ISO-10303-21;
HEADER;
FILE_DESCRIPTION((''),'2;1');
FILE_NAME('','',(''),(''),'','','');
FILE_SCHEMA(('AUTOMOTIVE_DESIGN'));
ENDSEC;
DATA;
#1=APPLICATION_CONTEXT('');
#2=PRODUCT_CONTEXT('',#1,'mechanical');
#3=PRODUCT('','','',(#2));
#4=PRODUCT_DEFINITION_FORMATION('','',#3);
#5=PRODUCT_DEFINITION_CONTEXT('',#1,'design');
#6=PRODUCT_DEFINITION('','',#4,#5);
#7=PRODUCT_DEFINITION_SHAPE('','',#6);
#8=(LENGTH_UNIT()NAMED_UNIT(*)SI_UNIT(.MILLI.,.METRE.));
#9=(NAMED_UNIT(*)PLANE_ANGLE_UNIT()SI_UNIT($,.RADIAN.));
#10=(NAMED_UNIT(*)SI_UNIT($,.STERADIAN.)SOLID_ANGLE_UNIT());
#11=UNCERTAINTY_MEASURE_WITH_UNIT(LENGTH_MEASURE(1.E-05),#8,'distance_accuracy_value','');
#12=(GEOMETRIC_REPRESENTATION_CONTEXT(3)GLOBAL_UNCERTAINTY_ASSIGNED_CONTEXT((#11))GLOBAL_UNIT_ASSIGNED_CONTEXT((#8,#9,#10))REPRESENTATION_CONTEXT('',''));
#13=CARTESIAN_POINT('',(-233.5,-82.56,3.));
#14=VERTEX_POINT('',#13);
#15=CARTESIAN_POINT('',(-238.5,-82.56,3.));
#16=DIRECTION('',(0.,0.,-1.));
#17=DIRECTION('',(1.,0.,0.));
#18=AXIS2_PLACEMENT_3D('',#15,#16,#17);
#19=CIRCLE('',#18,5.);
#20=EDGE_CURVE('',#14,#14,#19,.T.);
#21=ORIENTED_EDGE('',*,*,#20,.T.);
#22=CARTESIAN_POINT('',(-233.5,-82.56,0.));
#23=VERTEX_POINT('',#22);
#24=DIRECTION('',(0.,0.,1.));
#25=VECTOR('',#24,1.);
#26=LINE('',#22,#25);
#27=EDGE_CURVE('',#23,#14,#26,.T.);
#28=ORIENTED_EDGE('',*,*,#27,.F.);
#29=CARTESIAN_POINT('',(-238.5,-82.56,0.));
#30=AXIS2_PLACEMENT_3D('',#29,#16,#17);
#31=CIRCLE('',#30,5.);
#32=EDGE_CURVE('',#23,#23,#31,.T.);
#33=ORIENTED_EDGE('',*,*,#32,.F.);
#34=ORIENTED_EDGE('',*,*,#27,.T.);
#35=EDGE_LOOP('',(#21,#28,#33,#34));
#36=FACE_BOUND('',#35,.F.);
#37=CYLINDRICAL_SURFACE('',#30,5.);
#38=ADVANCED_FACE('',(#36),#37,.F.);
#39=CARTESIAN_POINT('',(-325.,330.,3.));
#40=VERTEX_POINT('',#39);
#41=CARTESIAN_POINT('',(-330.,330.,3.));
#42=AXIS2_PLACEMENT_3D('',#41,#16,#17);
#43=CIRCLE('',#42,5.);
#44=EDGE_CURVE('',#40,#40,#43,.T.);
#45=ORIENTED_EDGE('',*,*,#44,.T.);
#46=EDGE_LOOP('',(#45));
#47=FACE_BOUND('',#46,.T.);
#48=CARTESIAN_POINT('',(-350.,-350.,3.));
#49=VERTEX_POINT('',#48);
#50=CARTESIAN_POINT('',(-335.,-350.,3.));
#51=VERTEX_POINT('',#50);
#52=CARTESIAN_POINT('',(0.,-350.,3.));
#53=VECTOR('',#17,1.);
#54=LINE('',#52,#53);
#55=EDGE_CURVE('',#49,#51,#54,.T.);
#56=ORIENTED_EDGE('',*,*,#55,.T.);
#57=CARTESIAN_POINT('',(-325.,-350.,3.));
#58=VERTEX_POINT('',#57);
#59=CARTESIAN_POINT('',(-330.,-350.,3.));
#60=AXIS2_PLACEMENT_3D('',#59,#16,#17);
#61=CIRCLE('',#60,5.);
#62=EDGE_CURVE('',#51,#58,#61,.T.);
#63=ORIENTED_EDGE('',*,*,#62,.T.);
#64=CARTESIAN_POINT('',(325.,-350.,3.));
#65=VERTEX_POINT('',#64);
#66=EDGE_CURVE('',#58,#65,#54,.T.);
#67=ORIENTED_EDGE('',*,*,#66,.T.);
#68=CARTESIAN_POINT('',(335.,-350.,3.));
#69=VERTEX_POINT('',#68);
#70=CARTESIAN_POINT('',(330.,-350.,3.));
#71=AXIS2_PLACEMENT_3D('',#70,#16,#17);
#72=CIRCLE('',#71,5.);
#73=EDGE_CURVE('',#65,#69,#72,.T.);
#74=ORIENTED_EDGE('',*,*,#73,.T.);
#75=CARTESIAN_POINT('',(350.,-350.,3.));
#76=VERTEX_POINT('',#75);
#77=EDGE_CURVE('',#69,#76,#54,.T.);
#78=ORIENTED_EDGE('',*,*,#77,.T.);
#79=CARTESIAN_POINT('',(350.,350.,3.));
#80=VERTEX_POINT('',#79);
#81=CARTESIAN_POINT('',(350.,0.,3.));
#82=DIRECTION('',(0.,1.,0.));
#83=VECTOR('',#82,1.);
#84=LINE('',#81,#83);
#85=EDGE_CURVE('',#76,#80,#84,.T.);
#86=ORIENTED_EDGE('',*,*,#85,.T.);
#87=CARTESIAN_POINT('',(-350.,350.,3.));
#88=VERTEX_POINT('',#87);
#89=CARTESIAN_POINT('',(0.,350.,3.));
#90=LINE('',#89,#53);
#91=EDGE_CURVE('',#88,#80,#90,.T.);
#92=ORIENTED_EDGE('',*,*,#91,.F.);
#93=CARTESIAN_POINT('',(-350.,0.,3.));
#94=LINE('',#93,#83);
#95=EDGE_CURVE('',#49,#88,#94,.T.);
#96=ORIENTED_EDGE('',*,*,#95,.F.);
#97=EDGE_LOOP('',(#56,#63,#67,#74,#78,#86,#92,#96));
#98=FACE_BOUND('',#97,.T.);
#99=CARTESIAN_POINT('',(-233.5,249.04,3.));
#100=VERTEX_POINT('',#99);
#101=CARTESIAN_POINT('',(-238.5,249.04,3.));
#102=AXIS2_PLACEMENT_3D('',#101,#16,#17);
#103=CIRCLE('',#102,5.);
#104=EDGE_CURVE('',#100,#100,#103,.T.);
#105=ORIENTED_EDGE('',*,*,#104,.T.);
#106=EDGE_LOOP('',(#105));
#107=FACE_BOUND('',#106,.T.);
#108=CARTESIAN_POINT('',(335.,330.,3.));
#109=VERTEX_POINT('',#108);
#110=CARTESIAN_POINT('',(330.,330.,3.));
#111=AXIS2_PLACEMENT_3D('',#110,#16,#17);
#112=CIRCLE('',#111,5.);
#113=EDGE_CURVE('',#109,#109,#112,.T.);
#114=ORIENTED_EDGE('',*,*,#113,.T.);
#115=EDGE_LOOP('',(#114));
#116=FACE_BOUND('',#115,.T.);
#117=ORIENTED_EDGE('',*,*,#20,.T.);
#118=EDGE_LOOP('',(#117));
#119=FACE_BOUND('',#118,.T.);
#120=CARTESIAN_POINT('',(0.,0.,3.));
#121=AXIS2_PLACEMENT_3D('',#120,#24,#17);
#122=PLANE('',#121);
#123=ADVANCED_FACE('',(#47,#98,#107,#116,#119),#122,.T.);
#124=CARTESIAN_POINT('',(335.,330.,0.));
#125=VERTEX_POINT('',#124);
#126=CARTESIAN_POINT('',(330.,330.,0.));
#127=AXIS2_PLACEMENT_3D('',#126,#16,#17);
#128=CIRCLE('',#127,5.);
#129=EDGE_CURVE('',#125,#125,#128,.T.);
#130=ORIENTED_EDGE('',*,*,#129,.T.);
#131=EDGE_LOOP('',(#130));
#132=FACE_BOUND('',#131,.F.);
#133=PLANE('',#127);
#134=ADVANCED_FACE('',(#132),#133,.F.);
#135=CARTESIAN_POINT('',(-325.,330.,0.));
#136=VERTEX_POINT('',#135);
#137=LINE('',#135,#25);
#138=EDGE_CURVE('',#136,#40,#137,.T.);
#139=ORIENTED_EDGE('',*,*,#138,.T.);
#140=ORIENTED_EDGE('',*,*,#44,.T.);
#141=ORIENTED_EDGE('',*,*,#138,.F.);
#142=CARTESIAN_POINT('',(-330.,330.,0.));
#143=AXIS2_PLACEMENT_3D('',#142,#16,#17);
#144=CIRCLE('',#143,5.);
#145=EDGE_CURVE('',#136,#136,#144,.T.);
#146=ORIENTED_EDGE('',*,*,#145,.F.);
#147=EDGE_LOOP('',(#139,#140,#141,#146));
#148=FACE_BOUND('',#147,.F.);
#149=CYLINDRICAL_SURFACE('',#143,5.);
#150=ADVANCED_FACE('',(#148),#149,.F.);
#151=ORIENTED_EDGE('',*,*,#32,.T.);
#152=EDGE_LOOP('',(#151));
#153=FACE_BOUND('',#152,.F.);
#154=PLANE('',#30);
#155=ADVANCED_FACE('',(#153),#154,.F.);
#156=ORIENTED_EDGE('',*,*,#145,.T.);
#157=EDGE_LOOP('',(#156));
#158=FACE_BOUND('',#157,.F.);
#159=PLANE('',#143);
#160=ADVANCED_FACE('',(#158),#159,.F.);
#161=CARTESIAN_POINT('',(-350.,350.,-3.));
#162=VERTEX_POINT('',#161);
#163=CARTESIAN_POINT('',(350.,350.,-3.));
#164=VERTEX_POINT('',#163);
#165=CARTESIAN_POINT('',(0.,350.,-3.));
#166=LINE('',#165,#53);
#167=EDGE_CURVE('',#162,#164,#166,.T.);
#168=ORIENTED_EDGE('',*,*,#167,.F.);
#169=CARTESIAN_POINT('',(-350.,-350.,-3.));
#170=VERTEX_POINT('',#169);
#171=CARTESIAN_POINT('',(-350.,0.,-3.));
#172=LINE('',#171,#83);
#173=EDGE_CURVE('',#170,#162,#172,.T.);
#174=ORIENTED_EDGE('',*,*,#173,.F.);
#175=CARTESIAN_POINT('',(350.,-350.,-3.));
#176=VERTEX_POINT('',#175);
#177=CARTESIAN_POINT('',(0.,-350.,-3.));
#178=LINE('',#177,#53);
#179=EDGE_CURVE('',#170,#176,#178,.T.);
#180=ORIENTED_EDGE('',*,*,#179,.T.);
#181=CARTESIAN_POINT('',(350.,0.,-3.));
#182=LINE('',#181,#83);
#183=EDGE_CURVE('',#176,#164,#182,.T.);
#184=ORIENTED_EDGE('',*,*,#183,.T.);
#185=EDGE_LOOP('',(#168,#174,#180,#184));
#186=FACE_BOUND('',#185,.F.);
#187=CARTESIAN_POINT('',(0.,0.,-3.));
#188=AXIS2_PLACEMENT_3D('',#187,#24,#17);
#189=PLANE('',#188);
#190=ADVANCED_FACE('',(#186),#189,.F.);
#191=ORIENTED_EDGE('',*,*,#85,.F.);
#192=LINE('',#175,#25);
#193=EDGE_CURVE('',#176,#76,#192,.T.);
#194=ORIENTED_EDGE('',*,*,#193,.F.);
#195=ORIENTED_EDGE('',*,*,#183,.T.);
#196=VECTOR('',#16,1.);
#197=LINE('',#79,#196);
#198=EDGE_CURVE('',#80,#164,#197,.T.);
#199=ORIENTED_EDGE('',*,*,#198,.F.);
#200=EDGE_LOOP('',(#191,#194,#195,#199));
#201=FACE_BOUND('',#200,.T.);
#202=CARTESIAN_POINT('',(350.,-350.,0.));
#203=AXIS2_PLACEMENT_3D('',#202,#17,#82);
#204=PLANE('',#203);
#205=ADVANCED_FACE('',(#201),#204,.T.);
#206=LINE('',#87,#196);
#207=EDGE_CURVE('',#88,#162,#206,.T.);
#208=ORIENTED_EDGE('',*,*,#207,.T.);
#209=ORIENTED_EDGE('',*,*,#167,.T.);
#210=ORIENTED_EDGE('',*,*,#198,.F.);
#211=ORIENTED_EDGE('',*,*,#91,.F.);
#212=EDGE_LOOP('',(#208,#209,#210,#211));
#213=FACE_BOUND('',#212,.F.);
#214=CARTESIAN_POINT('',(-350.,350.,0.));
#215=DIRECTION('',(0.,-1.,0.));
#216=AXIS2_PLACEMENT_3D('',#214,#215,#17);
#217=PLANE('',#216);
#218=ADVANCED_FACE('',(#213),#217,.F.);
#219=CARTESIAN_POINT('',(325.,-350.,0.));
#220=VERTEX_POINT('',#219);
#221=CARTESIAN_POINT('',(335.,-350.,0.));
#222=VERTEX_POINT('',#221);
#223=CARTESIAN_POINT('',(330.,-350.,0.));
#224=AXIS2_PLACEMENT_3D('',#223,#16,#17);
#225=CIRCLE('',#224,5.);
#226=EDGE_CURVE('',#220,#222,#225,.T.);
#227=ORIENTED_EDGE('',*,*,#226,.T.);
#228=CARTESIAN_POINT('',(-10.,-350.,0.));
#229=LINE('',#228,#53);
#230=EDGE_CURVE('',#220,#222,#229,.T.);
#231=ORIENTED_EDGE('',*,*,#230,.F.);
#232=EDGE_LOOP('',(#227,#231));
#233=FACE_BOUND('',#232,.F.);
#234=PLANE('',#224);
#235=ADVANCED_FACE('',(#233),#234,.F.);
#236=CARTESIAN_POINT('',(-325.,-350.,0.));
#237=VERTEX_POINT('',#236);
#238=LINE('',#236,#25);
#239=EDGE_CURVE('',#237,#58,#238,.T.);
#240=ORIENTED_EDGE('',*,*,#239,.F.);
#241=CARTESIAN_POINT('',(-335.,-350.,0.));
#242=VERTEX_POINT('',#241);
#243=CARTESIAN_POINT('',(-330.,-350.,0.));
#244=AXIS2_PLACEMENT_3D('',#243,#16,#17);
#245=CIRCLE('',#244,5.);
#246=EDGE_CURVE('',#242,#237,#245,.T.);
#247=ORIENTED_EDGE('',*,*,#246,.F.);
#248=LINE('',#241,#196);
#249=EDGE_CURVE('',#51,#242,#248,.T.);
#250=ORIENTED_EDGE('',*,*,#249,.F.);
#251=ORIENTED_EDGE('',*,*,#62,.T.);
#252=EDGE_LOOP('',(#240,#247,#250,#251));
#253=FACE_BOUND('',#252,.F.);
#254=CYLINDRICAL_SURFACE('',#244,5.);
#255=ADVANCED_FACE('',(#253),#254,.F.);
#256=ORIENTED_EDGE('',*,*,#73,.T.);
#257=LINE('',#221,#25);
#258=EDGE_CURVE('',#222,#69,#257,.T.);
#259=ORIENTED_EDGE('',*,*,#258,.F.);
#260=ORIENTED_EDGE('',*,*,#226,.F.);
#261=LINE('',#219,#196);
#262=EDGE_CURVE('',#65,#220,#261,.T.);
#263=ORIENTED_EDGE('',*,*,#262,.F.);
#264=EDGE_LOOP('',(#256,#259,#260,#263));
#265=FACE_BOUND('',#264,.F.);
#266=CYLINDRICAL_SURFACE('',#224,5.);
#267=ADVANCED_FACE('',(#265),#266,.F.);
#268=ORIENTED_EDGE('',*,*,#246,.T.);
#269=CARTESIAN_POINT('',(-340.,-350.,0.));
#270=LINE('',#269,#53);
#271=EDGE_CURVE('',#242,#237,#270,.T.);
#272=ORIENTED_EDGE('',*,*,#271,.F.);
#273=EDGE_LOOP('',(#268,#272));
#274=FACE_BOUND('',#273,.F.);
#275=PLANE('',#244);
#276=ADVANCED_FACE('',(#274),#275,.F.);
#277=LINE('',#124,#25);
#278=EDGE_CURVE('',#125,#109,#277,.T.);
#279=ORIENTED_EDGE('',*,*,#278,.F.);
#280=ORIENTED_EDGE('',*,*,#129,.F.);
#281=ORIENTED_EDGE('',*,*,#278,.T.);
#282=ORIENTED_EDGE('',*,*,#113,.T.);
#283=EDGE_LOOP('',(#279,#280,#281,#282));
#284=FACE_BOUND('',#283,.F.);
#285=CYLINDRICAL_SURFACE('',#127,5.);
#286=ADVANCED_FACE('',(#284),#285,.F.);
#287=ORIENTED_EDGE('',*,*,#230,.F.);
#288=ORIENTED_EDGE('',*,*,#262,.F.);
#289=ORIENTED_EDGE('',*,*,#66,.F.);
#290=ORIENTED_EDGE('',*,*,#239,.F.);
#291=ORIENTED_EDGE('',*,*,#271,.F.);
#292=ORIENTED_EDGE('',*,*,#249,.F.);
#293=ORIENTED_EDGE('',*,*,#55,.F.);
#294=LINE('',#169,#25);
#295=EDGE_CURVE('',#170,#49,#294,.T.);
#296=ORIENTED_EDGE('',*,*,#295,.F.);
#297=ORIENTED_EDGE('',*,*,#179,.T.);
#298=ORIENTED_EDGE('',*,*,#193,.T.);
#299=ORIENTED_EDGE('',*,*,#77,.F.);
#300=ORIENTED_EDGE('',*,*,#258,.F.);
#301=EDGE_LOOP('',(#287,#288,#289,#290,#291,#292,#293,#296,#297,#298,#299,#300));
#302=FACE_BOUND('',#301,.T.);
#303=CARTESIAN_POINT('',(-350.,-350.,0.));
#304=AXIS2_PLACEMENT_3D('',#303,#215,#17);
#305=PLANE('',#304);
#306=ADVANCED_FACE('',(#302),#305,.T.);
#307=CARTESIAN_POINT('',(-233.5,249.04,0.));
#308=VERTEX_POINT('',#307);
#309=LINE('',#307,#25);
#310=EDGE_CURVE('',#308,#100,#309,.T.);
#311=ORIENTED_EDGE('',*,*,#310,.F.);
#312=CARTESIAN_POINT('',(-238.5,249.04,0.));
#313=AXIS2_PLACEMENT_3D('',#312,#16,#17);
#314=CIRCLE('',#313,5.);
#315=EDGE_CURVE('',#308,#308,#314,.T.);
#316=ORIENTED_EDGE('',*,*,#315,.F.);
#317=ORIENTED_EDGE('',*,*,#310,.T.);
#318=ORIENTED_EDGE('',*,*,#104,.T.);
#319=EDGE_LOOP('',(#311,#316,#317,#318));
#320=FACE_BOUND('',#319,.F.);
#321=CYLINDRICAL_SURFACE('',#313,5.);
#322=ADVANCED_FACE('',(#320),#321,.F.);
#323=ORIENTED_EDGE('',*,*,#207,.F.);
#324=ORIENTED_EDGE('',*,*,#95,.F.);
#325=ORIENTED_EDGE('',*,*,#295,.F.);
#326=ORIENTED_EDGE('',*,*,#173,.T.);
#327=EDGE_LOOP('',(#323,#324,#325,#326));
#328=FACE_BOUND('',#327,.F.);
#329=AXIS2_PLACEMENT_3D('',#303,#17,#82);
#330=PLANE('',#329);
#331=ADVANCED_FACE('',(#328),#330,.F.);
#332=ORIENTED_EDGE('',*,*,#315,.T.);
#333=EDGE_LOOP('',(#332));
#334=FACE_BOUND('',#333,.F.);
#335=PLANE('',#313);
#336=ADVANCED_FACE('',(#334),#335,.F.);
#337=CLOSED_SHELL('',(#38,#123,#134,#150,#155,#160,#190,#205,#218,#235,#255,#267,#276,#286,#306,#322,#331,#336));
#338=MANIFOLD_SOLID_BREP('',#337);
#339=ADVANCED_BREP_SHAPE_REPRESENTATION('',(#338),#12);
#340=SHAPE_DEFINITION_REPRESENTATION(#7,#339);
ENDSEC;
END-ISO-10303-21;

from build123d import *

# Parameters (mm, degrees)
F0_W     = 700
F0_H     = 700
F1_DEPTH = 3
F2_D     = 10
F2_DEPTH = 3.001


with BuildPart() as f1:
    # F0 (on Top) → F1 (new body, symmetric)
    with BuildSketch(Plane.XY):
        Rectangle(F0_W, F0_H)
    extrude(amount=F1_DEPTH, both=True)

    # F2 (through all, one way)
    with BuildSketch(Plane(origin=(0, 0, 0), x_dir=(1, 0, 0), z_dir=(0, 0, -1))):
        with Locations((-330, -330), (330, -330), (330, 350), (-330, 350), (-238.5, -249.04), (-238.5, 82.56)):
            Circle(F2_D / 2)
    extrude(amount=-F2_DEPTH, mode=Mode.SUBTRACT)


solid = f1.part
